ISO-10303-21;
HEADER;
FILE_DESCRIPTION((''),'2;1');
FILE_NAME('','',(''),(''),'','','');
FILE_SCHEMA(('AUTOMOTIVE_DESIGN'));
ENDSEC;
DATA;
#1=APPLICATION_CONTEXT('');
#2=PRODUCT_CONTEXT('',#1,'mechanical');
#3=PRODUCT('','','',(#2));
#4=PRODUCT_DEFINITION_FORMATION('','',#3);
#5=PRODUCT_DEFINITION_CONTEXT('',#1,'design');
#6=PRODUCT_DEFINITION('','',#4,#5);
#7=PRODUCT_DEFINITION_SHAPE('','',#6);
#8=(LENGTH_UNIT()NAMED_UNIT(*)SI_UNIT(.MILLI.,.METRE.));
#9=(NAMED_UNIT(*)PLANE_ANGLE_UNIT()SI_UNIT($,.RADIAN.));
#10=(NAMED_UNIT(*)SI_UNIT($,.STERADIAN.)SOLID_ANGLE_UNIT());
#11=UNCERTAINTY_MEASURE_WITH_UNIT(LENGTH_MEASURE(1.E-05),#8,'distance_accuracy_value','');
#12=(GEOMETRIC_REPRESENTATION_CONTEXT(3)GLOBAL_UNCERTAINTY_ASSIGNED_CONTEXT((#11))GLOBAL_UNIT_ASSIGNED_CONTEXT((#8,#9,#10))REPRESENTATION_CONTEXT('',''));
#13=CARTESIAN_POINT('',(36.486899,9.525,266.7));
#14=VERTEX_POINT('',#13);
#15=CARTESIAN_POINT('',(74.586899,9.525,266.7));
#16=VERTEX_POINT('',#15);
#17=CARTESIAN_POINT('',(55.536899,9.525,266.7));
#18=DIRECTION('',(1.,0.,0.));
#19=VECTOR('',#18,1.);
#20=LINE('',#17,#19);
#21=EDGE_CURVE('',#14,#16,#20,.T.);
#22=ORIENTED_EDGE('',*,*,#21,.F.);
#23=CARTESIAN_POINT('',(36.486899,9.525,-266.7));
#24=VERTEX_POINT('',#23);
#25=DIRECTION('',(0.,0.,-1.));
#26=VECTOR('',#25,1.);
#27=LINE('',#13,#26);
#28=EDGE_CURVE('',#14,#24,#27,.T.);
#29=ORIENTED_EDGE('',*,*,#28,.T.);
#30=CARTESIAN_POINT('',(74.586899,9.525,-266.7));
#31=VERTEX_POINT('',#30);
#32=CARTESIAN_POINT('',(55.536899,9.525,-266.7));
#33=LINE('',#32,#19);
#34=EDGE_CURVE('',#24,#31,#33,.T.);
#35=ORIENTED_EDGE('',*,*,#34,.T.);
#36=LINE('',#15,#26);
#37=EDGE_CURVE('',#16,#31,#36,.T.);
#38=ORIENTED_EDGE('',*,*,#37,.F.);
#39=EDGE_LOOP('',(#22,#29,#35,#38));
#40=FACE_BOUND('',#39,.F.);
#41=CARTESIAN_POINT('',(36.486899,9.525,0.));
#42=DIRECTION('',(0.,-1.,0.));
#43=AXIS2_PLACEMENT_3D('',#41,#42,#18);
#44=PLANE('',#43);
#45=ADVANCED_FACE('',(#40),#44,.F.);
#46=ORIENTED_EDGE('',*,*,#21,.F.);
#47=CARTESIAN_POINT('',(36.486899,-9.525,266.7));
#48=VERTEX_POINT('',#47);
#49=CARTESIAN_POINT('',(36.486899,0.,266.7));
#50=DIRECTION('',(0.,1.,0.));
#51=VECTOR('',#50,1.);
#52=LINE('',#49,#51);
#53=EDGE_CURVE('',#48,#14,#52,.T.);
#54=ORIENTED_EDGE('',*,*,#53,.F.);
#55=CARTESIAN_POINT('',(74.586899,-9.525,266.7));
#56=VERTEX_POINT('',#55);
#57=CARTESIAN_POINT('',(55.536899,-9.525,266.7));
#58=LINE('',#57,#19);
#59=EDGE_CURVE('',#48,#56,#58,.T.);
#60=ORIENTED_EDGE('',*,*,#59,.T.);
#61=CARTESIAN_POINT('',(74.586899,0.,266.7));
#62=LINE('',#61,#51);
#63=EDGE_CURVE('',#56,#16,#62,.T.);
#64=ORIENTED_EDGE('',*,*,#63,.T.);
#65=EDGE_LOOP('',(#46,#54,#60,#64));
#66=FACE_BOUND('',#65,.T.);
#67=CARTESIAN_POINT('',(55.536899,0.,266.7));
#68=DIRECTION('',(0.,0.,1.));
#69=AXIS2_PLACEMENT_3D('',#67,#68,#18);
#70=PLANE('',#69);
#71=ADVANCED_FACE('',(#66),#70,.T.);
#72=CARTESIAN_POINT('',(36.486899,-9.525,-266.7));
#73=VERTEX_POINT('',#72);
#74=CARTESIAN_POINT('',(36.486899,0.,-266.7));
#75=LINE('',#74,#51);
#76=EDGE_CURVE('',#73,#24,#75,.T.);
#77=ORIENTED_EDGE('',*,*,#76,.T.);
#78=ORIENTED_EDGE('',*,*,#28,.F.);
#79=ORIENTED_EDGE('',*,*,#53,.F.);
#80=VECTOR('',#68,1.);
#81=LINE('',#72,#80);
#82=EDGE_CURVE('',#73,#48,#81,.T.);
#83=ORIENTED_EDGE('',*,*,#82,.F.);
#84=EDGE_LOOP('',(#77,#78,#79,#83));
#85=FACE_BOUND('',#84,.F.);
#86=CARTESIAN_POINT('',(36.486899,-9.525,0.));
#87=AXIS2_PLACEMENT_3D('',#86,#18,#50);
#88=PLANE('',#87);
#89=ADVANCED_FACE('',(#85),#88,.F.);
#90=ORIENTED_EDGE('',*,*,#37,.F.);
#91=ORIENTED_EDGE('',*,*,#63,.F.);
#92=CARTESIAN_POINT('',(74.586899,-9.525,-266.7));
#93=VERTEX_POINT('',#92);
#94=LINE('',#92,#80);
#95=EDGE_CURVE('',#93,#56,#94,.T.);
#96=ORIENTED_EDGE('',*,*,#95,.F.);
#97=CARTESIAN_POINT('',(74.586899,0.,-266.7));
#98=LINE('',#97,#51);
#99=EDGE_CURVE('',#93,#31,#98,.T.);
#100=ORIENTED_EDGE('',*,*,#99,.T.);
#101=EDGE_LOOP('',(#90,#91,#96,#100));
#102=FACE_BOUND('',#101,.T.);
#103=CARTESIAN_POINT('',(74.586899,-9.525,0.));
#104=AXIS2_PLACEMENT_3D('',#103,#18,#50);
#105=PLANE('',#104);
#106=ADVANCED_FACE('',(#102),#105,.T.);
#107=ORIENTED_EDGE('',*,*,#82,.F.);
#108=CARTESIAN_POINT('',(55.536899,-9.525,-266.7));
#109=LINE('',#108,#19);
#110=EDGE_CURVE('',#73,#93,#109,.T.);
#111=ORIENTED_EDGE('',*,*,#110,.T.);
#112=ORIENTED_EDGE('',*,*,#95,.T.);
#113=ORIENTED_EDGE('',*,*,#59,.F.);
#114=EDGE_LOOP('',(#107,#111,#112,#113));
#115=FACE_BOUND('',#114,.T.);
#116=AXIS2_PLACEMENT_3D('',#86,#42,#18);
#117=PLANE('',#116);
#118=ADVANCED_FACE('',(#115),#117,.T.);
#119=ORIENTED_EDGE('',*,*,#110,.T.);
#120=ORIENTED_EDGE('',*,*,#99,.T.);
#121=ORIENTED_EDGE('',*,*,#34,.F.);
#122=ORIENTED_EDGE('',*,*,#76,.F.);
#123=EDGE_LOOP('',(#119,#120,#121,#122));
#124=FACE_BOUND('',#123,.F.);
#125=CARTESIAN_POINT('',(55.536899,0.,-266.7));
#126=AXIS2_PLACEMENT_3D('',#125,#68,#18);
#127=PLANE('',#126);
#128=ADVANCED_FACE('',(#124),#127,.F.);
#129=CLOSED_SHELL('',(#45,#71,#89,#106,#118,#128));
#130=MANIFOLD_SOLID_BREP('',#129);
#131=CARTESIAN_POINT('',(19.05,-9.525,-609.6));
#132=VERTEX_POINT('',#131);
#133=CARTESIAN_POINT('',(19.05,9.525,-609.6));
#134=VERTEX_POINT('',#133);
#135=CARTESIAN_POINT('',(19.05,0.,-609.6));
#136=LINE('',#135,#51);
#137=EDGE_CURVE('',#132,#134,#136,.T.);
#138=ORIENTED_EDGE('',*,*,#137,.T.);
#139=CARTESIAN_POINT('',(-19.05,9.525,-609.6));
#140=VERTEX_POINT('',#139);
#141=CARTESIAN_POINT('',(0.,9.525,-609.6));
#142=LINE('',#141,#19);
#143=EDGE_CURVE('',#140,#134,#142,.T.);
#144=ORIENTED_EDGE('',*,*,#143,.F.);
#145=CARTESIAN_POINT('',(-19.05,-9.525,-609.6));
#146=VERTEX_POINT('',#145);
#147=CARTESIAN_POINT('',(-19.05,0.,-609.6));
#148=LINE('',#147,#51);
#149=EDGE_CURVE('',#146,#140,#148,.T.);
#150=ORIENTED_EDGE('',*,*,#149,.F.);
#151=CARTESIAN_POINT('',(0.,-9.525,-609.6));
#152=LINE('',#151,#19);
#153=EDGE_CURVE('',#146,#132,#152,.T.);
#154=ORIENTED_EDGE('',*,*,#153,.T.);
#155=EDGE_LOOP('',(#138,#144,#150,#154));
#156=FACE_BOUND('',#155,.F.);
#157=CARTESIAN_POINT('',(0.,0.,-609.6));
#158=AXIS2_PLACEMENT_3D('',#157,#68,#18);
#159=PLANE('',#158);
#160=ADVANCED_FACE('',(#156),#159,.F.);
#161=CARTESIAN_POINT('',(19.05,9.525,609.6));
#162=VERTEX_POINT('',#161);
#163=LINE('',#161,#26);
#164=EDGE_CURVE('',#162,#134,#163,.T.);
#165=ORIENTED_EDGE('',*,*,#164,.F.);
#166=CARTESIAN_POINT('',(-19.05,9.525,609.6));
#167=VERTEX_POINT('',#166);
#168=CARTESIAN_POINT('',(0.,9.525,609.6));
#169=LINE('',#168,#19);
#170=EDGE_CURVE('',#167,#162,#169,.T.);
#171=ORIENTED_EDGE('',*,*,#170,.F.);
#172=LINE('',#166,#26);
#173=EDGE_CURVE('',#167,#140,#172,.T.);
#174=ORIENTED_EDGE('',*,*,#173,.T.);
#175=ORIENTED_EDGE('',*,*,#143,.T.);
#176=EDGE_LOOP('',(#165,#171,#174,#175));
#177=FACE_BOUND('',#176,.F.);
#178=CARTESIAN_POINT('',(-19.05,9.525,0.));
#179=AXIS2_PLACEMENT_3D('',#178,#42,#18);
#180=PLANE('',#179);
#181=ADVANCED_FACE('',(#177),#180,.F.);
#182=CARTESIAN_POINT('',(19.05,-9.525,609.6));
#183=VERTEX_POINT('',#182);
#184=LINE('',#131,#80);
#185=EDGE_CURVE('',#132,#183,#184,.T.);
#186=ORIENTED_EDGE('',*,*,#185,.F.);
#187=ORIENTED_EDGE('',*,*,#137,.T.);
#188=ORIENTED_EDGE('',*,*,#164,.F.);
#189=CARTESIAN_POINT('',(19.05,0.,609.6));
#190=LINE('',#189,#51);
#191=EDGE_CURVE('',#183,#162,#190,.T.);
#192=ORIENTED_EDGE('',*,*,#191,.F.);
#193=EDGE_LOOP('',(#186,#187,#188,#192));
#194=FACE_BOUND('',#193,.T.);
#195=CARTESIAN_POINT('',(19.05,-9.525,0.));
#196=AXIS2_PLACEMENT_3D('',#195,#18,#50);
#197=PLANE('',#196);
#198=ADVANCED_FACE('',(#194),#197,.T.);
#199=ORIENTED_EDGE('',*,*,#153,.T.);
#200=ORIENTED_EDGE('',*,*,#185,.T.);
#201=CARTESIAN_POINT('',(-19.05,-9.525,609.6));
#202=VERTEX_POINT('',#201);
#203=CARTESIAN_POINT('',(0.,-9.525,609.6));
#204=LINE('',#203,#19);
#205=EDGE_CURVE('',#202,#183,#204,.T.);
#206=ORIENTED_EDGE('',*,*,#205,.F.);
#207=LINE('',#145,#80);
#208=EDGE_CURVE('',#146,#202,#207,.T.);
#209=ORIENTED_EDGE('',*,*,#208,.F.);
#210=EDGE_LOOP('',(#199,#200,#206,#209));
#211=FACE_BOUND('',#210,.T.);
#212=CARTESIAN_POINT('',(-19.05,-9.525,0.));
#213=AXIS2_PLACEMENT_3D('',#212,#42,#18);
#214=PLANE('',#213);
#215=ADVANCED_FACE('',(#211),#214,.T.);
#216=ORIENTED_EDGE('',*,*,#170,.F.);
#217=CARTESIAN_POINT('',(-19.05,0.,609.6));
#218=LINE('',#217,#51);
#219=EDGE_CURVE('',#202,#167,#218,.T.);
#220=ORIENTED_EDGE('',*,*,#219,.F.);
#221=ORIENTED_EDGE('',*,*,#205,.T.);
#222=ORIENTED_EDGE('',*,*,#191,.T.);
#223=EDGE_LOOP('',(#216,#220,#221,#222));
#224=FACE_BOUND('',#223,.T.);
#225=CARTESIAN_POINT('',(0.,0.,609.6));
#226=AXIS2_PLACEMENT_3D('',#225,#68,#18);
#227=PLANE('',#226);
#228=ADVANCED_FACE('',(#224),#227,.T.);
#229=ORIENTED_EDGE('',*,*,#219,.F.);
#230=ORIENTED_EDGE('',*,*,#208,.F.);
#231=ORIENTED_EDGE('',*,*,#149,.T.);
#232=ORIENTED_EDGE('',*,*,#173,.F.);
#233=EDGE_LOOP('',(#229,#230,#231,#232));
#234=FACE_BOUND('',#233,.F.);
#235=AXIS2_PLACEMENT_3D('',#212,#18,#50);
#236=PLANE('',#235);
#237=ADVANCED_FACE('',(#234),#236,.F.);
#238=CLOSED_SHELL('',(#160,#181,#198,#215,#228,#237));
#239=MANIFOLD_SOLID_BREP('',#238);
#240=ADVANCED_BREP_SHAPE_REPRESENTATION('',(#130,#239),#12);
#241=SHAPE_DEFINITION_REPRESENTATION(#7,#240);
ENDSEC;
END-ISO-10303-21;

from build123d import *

# Parameters (mm, degrees)
F0_W     = 38.1
F0_H     = 19.05
F1_DEPTH = 609.6
F2_W     = 38.1
F2_H     = 19.05
F3_DEPTH = 266.7


with BuildPart() as f1:
    # F0 (on Top) → F1 (new body, symmetric)
    with BuildSketch(Plane.XY):
        Rectangle(F0_W, F0_H)
    extrude(amount=F1_DEPTH, both=True)


with BuildPart() as f3:
    # F2 (on Top) → F3 (new body, symmetric)
    with BuildSketch(Plane.XY):
        with Locations((55.536899, 0)):
            Rectangle(F2_W, F2_H)
    extrude(amount=F3_DEPTH, both=True)


solid = Compound([f1.part, f3.part])
